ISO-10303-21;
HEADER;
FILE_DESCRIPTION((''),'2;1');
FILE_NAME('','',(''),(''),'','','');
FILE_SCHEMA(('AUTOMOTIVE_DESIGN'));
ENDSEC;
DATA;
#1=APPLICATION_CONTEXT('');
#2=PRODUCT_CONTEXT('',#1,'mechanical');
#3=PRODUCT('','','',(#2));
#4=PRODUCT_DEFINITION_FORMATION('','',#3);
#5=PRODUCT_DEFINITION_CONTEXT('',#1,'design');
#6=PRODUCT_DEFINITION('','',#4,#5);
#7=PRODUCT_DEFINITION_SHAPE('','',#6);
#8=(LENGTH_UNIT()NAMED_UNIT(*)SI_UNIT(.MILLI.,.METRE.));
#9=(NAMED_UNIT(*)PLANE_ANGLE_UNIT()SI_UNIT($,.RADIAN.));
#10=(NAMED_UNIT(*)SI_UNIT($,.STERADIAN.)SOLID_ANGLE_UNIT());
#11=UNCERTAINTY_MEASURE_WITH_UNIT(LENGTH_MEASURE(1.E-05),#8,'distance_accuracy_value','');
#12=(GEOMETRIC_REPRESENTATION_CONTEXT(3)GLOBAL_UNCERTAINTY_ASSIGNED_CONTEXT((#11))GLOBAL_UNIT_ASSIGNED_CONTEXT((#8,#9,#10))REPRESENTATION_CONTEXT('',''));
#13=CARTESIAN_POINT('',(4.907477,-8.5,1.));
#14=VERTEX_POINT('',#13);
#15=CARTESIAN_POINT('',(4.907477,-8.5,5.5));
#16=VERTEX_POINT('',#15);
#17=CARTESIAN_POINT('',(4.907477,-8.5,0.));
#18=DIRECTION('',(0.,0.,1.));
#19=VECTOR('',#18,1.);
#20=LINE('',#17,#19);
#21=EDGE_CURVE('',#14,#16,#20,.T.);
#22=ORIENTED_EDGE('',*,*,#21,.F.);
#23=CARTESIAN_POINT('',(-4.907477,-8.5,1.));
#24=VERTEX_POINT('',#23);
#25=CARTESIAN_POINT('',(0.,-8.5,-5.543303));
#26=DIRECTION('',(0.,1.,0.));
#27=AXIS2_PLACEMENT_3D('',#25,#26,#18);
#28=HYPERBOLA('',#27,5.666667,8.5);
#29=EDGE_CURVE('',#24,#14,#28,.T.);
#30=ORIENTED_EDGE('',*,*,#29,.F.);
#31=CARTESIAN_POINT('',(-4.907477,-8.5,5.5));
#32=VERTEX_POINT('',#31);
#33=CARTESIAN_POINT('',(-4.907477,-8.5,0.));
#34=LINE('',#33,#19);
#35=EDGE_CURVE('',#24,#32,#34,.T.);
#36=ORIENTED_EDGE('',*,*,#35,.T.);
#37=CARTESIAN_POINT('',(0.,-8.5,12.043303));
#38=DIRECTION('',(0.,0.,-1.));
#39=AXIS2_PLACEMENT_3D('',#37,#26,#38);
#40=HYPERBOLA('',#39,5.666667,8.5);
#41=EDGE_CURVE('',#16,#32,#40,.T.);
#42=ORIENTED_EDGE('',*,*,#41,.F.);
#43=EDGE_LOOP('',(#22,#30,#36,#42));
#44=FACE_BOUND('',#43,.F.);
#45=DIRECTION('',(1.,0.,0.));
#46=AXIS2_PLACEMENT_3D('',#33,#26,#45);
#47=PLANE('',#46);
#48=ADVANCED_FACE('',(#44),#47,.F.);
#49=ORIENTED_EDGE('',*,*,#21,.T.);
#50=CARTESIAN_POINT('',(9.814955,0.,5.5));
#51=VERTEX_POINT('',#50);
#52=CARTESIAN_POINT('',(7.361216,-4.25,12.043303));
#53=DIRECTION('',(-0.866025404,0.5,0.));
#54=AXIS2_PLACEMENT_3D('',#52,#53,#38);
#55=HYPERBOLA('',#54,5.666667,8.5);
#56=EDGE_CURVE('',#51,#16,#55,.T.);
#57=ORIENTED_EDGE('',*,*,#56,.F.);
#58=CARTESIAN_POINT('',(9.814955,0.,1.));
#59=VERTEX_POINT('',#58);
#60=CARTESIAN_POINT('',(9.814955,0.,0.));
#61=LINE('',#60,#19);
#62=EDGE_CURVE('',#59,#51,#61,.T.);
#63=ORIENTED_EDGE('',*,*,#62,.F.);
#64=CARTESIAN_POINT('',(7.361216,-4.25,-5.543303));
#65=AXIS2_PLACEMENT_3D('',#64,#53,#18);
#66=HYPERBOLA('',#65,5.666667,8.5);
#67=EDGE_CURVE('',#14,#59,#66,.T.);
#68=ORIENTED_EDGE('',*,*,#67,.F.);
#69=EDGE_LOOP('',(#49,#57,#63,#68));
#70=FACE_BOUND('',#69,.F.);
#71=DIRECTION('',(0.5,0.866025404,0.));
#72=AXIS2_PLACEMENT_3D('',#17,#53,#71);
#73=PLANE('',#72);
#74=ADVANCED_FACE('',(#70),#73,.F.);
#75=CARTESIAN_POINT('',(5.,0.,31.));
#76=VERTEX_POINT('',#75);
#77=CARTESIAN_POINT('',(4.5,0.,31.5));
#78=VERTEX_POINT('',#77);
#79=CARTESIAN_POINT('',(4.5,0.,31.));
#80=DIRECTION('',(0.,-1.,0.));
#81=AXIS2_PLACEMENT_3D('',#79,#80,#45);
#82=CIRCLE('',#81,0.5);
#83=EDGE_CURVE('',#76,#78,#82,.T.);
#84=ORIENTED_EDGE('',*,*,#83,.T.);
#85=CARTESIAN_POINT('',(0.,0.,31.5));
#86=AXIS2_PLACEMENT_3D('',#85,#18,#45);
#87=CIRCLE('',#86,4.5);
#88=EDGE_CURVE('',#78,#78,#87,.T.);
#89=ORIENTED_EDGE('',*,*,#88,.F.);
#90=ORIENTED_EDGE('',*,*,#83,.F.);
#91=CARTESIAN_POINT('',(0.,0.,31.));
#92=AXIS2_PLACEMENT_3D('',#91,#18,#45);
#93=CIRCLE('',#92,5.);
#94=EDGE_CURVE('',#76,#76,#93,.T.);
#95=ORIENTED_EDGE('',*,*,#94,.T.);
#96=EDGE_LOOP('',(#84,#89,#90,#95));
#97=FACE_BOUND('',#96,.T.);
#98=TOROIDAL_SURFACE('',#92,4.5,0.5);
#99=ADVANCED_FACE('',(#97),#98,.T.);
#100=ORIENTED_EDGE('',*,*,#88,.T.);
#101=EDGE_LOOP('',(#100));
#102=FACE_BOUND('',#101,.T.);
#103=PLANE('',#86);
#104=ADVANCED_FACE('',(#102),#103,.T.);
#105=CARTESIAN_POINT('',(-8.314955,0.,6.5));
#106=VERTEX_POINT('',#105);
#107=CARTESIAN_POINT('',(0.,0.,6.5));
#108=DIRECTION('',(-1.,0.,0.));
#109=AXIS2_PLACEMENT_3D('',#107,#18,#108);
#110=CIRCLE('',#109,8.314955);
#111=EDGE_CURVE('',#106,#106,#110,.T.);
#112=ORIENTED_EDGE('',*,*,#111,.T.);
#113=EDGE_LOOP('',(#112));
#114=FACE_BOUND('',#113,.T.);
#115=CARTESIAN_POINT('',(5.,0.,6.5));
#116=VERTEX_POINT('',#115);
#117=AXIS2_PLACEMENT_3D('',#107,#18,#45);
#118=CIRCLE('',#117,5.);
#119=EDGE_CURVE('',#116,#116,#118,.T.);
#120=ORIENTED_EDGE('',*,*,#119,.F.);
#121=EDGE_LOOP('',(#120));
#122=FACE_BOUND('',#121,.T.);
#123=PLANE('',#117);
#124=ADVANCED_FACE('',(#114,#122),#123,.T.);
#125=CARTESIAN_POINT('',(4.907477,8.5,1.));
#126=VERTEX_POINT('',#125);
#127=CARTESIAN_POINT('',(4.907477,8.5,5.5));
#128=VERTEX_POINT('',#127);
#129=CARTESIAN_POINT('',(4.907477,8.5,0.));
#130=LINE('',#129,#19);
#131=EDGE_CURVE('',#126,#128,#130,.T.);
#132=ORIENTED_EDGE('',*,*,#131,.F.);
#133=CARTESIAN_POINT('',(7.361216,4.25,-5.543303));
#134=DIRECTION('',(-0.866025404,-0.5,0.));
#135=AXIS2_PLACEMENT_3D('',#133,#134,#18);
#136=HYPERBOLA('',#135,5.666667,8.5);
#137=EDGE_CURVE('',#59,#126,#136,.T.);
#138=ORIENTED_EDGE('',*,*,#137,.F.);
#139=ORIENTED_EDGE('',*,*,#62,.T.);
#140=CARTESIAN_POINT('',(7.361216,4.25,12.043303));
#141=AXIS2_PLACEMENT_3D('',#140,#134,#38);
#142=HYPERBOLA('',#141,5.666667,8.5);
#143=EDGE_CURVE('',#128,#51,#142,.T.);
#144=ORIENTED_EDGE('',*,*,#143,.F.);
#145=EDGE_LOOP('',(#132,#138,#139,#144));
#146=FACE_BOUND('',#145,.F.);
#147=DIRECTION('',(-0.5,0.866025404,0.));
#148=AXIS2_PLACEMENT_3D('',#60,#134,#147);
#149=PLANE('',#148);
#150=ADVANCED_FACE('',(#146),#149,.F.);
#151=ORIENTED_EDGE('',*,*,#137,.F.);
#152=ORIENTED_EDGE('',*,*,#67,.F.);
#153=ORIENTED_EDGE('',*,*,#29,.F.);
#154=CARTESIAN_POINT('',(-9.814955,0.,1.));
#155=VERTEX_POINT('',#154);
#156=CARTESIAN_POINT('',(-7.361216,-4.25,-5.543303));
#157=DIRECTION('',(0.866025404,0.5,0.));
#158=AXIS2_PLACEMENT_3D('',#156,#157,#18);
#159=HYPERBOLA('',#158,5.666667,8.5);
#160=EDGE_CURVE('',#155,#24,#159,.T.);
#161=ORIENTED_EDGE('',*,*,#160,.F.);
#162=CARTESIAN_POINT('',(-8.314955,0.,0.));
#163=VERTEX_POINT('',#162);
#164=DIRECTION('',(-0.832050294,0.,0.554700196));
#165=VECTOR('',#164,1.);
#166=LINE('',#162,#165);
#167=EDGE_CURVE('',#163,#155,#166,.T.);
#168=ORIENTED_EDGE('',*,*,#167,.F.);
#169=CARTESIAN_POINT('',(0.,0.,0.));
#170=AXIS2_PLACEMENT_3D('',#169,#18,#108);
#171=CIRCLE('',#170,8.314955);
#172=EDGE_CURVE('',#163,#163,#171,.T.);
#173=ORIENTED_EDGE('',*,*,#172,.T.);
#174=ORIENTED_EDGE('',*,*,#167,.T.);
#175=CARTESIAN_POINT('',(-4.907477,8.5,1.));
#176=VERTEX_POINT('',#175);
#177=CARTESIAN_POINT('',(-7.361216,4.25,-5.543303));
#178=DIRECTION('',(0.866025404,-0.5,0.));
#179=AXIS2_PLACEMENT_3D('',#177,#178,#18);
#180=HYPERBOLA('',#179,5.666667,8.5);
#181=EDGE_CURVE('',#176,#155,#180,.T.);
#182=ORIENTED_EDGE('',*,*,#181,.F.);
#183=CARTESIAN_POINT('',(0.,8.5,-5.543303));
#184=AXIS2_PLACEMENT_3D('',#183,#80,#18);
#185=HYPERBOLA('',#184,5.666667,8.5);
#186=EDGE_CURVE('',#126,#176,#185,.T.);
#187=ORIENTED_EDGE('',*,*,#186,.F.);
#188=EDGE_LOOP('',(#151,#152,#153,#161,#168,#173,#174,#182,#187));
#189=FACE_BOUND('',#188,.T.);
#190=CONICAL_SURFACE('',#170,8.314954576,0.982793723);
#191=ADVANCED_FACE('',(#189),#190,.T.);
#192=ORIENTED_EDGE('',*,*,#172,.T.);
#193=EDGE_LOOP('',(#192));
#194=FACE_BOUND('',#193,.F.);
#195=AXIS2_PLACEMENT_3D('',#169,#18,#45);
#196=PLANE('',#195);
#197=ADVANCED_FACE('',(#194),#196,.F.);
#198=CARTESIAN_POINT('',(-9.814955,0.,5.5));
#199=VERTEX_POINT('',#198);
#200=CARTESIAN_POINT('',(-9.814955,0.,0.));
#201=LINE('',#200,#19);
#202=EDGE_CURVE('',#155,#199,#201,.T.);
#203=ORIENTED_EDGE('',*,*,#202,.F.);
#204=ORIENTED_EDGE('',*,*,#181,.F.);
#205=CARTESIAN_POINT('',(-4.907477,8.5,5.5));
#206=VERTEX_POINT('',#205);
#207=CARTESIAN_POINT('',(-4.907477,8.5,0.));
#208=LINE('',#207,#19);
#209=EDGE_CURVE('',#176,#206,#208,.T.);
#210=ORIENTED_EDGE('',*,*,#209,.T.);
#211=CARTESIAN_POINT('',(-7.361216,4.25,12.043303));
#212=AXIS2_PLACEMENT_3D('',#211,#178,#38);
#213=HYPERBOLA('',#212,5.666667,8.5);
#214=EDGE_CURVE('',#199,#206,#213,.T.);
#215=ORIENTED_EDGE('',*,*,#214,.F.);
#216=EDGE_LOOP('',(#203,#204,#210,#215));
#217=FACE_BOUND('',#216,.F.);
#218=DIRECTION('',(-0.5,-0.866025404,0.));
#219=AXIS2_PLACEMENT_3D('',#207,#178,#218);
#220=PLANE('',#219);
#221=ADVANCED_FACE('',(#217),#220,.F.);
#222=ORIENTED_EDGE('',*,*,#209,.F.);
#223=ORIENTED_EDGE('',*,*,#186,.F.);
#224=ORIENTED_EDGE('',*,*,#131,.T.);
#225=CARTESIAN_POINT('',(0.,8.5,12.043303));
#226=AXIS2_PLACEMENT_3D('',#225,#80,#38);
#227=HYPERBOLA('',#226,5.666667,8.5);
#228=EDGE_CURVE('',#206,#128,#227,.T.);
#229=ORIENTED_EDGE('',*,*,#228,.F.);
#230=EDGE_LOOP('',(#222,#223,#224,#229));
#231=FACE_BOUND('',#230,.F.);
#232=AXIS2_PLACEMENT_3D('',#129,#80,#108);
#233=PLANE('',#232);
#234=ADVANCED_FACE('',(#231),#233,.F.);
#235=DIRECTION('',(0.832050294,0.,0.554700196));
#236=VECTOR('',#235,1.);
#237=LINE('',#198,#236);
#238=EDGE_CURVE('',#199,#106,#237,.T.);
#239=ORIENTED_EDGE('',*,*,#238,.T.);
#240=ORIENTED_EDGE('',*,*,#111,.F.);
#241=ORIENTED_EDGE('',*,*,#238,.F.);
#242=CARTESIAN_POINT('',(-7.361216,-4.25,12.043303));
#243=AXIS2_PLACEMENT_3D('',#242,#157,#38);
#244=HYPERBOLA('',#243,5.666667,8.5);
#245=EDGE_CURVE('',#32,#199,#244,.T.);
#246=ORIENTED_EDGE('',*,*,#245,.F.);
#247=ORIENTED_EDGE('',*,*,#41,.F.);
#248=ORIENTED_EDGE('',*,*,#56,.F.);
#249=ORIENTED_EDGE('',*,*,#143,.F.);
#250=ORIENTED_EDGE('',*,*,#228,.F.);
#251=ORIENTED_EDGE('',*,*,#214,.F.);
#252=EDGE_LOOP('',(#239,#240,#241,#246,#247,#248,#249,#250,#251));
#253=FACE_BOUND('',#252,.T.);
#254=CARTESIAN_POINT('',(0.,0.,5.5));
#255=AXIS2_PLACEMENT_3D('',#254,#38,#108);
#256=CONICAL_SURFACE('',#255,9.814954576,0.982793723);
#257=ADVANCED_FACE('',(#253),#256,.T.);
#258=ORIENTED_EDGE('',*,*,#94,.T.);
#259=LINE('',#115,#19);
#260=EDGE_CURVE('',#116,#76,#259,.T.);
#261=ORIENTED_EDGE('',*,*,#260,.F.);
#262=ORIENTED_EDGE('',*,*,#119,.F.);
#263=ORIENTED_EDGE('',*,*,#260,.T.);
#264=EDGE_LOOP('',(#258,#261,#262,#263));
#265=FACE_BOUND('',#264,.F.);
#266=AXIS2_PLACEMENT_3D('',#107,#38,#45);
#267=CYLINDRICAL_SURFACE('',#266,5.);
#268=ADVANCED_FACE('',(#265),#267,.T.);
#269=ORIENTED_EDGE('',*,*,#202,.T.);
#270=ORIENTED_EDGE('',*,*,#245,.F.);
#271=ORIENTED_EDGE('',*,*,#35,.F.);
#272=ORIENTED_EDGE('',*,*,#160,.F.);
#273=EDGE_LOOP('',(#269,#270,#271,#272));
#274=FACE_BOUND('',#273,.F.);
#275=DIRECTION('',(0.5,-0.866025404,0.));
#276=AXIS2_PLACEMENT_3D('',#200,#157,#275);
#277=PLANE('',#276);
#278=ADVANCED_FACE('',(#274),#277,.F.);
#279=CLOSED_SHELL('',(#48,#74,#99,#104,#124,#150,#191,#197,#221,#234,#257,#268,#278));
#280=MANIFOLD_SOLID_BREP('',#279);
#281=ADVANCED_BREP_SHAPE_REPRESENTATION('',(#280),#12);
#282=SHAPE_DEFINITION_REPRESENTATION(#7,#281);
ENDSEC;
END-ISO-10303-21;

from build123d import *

# Parameters (mm, degrees)
Y_KSEKLIK_EKSTR_ZYON1_DEPTH = 6.5
IZIM2_R                     = 5
Y_KSEKLIK_EKSTR_ZYON2_DEPTH = 25
RADYUS1_R                   = 0.5


with BuildPart() as part:
    # Çizim1 → Yükseklik-Ekstrüzyon1 (new body)
    with BuildSketch(Plane.XY):
        Polygon((9.814954576, 0), (4.907477288, 8.5), (-4.907477288, 8.5), (-9.814954576, 0), (-4.907477288, -8.5), (4.907477288, -8.5), align=None)
    extrude(amount=Y_KSEKLIK_EKSTR_ZYON1_DEPTH)

    # Çizim2 → Yükseklik-Ekstrüzyon2 (add)
    with BuildSketch(Plane.XY.offset(6.5)):
        Circle(IZIM2_R)
    extrude(amount=Y_KSEKLIK_EKSTR_ZYON2_DEPTH)

    # Çizim3 → Kes-Döndür1 (revolve, cut)
    with BuildSketch(Plane(origin=(0, 0, 0), x_dir=(1, 0, 0), z_dir=(0, 1, 0))):
        Polygon((-9.814954576, 0), (-8.314954576, 0), (-9.814954576, -1), align=None)
        Polygon((-9.814954576, -6.5), (-9.814954576, -5.5), (-8.314954576, -6.5), align=None)
    revolve(axis=Axis((0, 0, 0), (0, 0, 1)), mode=Mode.SUBTRACT)

    # Radyus1
    radyus1_edges = [part.edges().sort_by_distance(p)[0] for p in [
        (-5, 0, 31.5),
    ]]
    fillet(radyus1_edges, radius=RADYUS1_R)


solid = part.part
